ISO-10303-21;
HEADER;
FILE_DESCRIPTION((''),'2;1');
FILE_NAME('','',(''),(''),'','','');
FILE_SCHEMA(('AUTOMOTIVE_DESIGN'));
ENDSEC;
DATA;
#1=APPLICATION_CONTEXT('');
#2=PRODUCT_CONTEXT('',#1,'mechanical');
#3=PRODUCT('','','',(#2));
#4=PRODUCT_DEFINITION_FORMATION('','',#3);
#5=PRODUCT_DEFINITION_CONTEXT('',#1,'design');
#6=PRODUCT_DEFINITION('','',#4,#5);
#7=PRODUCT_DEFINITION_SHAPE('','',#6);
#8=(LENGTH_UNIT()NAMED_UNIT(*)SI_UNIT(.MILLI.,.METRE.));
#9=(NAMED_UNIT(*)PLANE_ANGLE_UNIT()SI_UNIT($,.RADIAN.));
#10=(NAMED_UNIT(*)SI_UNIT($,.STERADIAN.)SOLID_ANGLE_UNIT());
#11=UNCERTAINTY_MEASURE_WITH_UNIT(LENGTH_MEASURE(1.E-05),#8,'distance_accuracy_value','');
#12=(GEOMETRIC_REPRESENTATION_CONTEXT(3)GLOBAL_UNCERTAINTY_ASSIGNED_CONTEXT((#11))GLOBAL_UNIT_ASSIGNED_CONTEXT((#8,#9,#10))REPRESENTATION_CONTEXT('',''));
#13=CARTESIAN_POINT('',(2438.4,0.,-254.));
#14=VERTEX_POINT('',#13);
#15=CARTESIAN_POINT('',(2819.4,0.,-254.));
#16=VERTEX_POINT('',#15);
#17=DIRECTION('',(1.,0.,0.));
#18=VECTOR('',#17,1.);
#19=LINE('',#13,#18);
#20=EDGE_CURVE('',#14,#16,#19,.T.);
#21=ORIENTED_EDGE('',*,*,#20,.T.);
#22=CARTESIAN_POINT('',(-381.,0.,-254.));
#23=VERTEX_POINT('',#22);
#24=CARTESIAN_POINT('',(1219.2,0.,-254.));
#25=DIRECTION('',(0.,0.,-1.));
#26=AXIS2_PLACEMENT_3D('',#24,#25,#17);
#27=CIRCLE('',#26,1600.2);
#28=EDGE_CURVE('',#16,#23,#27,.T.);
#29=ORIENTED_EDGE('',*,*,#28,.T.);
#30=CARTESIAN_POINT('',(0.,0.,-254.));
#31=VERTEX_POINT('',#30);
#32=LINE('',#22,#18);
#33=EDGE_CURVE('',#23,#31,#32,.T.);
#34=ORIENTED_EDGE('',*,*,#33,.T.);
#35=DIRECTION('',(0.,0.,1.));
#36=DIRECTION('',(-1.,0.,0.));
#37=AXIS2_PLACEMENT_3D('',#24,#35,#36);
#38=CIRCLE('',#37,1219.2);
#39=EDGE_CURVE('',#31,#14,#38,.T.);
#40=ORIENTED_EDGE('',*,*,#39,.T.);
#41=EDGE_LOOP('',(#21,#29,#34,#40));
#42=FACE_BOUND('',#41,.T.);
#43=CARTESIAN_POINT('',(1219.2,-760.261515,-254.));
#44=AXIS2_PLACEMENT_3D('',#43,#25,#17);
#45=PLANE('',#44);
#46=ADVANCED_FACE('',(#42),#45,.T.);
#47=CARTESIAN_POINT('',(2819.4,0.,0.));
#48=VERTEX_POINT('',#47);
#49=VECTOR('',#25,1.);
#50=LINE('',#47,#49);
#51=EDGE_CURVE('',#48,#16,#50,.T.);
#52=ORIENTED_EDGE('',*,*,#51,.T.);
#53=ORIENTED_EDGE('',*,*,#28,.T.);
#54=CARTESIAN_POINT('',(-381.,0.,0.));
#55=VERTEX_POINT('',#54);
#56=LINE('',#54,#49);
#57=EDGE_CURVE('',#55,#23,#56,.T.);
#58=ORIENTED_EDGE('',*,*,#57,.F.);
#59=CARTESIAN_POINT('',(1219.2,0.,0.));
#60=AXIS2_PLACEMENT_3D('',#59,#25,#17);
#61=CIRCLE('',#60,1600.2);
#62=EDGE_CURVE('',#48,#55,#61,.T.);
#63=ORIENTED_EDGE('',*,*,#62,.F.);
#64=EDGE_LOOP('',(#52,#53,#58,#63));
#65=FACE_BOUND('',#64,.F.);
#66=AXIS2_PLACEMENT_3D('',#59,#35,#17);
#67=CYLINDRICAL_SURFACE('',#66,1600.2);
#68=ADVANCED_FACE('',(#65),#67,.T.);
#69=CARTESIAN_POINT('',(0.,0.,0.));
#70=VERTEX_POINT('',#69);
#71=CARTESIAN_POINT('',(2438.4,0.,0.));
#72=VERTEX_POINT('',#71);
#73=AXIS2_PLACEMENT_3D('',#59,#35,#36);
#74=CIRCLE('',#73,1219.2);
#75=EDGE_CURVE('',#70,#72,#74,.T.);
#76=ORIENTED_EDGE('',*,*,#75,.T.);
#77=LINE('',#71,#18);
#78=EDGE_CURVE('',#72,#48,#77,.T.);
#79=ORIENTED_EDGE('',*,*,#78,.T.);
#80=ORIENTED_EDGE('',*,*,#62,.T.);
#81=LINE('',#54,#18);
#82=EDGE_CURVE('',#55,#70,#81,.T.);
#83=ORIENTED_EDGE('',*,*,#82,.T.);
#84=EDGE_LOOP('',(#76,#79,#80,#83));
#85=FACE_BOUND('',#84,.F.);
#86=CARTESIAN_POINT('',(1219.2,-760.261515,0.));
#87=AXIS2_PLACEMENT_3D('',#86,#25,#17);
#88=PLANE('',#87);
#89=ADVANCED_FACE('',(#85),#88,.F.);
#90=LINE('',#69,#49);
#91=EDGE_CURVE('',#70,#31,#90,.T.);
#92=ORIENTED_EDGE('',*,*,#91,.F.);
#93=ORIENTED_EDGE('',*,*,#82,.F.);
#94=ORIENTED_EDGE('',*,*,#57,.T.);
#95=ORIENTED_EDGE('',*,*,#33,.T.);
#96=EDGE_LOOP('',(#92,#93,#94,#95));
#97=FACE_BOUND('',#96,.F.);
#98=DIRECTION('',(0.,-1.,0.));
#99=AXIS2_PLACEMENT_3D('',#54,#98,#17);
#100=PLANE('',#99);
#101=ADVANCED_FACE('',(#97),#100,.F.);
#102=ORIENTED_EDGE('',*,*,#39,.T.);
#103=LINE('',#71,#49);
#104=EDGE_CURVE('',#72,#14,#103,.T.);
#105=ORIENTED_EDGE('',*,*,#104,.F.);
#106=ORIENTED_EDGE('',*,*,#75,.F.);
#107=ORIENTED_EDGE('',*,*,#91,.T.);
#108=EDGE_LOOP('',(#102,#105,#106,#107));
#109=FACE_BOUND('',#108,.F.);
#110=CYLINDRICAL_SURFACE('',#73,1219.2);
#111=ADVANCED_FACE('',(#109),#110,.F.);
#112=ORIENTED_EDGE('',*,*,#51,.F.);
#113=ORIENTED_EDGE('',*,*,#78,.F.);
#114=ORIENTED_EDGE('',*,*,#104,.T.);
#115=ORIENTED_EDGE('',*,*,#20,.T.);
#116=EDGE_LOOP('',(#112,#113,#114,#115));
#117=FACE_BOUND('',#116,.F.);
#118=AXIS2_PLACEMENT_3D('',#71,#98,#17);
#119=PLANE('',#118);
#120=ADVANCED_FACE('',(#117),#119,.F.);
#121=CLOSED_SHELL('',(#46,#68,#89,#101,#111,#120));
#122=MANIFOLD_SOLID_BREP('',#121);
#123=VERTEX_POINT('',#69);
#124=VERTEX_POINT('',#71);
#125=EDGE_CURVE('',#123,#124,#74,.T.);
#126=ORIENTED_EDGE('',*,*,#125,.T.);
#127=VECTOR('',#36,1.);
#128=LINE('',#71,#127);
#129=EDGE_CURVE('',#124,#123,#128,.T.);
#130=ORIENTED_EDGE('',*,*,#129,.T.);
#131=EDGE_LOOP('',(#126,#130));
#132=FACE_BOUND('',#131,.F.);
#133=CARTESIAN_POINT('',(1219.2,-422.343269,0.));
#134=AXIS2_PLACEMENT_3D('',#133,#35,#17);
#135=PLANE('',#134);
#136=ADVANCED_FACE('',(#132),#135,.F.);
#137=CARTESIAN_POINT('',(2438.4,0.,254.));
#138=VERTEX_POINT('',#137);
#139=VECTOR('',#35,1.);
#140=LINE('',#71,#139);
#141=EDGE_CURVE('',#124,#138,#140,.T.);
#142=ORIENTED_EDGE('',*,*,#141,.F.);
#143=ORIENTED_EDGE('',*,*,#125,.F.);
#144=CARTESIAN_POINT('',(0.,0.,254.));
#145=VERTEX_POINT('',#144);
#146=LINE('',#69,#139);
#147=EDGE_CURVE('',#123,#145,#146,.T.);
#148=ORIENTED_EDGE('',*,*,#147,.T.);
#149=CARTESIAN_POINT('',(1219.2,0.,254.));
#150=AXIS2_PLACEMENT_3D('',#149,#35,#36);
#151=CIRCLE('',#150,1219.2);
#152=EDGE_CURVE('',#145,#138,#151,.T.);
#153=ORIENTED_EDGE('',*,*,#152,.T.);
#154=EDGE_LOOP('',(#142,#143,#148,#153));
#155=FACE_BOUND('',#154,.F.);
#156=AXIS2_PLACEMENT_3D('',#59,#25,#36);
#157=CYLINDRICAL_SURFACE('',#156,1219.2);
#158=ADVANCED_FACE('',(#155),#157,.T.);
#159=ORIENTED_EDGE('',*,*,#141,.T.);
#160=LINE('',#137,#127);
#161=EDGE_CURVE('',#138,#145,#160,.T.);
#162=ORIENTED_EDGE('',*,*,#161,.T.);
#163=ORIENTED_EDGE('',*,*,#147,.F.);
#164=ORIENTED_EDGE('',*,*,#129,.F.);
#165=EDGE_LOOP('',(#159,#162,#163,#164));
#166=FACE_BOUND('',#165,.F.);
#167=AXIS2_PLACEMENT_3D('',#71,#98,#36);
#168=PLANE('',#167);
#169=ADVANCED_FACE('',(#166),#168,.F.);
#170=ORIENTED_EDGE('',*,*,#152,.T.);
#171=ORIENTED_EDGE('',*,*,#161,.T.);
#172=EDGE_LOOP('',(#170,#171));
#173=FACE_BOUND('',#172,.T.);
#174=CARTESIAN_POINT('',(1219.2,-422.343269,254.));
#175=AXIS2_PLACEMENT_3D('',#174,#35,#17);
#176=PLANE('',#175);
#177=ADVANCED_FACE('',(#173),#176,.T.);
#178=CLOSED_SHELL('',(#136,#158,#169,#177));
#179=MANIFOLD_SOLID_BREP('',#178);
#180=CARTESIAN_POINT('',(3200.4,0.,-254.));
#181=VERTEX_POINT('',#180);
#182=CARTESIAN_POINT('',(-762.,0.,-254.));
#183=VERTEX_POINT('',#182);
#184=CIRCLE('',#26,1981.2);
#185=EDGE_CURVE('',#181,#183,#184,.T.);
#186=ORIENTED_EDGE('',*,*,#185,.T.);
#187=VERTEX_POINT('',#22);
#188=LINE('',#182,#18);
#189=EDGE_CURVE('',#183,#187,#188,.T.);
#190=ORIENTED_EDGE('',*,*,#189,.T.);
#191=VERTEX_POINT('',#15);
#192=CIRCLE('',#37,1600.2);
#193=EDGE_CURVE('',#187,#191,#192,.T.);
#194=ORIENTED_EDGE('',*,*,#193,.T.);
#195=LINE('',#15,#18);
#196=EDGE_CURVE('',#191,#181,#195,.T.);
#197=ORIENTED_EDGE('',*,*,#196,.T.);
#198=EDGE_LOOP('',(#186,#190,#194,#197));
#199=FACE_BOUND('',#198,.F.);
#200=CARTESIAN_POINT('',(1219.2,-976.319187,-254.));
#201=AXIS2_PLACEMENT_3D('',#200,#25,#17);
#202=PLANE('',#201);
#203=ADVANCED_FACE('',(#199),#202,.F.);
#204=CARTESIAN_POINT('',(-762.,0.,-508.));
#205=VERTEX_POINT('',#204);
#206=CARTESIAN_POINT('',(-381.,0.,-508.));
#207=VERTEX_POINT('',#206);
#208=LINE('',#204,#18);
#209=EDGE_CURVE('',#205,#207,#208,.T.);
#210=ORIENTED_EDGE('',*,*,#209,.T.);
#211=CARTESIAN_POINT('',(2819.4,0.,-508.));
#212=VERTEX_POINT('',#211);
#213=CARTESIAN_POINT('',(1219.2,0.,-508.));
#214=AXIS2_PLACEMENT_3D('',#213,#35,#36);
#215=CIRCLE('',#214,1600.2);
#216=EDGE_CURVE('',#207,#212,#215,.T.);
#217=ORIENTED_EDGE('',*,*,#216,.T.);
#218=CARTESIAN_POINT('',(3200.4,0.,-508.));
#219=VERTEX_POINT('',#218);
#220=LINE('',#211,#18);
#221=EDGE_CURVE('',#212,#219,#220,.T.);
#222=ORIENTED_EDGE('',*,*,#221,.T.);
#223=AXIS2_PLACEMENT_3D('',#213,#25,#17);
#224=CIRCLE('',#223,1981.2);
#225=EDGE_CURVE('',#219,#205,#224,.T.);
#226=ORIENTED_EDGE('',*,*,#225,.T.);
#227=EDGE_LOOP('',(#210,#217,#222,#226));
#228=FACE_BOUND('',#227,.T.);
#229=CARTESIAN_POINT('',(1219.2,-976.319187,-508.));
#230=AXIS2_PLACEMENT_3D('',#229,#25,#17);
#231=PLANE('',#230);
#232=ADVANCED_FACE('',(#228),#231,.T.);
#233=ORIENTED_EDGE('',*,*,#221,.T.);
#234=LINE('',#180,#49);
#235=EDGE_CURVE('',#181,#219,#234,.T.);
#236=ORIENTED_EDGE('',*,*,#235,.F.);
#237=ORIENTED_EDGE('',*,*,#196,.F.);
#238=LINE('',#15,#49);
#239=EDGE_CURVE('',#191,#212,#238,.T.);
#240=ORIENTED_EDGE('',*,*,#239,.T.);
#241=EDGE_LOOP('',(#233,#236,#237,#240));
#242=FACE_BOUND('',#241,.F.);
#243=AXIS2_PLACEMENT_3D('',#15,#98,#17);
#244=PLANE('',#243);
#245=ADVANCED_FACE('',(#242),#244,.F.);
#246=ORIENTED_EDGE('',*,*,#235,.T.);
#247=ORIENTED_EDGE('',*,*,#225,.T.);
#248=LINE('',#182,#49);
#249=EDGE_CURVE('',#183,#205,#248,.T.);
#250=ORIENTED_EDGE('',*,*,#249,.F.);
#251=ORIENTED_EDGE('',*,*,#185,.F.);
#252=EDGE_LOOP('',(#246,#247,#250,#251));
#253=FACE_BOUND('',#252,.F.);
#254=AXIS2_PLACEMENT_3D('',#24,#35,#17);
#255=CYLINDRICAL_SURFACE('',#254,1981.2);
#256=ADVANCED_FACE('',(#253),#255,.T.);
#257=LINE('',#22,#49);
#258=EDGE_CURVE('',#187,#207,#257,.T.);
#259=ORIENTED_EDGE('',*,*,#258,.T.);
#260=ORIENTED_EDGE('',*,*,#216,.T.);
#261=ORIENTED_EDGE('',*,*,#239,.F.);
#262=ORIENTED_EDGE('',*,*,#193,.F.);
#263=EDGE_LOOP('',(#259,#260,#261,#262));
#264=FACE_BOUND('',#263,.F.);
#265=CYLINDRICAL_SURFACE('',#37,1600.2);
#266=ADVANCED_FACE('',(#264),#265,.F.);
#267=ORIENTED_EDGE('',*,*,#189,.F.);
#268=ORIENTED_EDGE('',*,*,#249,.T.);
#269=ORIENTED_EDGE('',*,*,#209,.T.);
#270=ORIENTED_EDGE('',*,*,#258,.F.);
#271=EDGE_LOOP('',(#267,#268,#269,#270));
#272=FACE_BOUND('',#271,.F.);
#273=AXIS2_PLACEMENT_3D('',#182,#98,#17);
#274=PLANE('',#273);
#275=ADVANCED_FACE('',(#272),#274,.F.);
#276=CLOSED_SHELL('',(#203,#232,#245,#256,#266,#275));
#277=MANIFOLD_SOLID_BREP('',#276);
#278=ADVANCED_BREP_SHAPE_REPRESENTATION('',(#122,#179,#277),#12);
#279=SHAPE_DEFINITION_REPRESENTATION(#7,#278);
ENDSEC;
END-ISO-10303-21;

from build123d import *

# Parameters (mm, degrees)
F1_DEPTH = 254
F3_DEPTH = 254
F5_DEPTH = 254


with BuildPart() as f1:
    # F0 (on Top) → F1 (new body)
    with BuildSketch(Plane.XY):
        with BuildLine():
            Line((2438.4, 0), (0, 0))
            ThreePointArc((0, 0), (1219.2, -1219.2), (2438.4, 0))
        make_face()
    extrude(amount=F1_DEPTH)


with BuildPart() as f3:
    # F2 (on face) → F3 (new body)
    with BuildSketch(Plane(origin=(0, 0, 0), x_dir=(1, 0, 0), z_dir=(0, 0, -1))):
        with BuildLine():
            Line((-381, 0), (0, 0))
            ThreePointArc((0, 0), (1219.2, 1219.2), (2438.4, 0))
            Line((2438.4, 0), (2819.4, 0))
            ThreePointArc((2819.4, 0), (1219.2, 1600.2), (-381, 0))
        make_face()
    extrude(amount=F3_DEPTH)


with BuildPart() as f5:
    # F4 (on face) → F5 (new body)
    with BuildSketch(Plane(origin=(0, 0, -254), x_dir=(1, 0, 0), z_dir=(0, 0, -1))):
        with BuildLine():
            Line((-762, 0), (-381, 0))
            ThreePointArc((-381, 0), (1219.2, 1600.2), (2819.4, 0))
            Line((2819.4, 0), (3200.4, 0))
            ThreePointArc((3200.4, 0), (1219.2, 1981.2), (-762, 0))
        make_face()
    extrude(amount=F5_DEPTH)


solid = Compound([f1.part, f3.part, f5.part])
